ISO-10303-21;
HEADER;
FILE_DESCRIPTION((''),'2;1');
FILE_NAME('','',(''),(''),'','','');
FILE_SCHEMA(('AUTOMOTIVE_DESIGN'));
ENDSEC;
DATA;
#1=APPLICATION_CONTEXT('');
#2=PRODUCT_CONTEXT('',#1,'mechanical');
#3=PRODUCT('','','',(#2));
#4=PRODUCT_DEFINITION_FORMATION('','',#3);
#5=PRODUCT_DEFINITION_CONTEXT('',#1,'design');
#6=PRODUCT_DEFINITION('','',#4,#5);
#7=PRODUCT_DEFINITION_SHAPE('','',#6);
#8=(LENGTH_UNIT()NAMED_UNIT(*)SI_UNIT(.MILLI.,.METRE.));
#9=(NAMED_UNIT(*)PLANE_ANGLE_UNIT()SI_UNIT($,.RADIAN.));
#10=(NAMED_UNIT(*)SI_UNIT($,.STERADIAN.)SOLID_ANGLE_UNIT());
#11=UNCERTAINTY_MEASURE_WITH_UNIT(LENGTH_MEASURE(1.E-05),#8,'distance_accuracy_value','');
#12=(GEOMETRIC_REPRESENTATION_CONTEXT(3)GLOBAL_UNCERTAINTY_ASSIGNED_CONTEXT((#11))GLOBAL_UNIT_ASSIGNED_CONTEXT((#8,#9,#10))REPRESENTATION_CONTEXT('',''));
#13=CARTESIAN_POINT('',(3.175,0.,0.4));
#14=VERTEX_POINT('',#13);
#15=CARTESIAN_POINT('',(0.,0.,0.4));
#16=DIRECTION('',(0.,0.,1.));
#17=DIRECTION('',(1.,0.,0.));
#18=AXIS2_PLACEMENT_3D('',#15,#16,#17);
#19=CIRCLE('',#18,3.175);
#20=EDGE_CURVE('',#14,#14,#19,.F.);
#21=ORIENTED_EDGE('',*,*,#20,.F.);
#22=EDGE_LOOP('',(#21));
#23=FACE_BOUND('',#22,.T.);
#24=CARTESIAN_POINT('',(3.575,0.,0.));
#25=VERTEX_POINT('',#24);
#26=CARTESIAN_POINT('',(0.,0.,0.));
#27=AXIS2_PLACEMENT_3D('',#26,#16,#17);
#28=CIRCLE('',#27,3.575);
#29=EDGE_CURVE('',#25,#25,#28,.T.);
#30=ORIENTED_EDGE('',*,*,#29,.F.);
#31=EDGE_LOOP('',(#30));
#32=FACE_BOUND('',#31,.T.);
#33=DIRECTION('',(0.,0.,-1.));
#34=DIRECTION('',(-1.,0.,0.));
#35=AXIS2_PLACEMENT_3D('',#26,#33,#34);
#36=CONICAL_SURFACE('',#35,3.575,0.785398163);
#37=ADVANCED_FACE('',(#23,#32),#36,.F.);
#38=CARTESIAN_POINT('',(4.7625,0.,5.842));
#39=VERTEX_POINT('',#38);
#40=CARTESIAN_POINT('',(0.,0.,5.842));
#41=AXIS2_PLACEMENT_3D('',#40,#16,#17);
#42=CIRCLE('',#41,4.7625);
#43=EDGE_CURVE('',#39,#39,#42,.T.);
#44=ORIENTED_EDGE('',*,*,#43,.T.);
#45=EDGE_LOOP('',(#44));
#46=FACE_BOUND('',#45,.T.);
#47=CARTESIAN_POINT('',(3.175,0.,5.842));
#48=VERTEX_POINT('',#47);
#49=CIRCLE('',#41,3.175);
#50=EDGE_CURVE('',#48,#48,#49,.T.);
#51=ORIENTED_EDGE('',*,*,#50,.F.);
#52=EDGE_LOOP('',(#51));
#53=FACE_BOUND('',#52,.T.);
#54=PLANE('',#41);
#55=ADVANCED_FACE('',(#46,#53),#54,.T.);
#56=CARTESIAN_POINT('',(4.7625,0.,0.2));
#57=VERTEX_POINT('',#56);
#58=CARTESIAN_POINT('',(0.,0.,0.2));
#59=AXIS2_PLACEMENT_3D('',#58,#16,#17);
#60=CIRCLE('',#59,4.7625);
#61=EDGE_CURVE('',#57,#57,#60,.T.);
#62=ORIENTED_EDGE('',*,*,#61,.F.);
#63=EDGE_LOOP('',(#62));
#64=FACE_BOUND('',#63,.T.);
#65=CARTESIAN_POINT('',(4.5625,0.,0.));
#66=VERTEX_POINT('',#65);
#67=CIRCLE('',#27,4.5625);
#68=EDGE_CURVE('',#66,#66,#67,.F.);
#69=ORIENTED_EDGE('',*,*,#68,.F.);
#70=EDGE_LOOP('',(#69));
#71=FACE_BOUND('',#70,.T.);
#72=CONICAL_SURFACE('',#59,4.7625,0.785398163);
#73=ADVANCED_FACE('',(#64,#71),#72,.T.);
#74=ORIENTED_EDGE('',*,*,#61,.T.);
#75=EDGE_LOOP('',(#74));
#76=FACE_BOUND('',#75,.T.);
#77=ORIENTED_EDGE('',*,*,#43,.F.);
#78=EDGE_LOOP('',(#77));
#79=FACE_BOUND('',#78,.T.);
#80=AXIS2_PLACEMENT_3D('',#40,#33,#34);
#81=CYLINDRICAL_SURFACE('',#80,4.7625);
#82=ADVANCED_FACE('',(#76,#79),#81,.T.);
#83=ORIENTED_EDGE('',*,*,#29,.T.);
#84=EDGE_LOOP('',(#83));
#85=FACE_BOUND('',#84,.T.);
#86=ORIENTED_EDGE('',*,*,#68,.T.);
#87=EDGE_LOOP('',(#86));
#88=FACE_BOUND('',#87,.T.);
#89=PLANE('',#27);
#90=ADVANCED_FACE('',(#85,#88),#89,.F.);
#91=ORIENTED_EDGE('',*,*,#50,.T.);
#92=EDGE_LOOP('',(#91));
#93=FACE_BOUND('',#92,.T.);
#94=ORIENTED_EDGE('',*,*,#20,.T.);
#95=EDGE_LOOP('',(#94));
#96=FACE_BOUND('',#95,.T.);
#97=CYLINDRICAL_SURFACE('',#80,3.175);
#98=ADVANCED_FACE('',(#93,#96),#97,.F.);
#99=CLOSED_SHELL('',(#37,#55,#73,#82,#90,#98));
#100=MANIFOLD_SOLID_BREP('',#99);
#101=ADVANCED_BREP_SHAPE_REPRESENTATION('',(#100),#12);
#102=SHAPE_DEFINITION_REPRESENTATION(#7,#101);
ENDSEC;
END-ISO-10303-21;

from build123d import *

# Parameters (mm, degrees)
SKETCH1_R           = 4.7625
SKETCH1_R_2         = 3.175
BOSS_EXTRUDE1_DEPTH = 5.842
CHAMFER1_SIZE       = 0.4
CHAMFER2_SIZE       = 0.2


with BuildPart() as part:
    # Sketch1 → Boss-Extrude1 (new body)
    with BuildSketch(Plane.XY):
        Circle(SKETCH1_R)
        Circle(SKETCH1_R_2, mode=Mode.SUBTRACT)
    extrude(amount=BOSS_EXTRUDE1_DEPTH)

    # Chamfer1
    chamfer1_edges = [part.edges().sort_by_distance(p)[0] for p in [
        (-3.175, 0, 0),
    ]]
    chamfer(chamfer1_edges, length=CHAMFER1_SIZE)

    # Chamfer2
    chamfer2_edges = [part.edges().sort_by_distance(p)[0] for p in [
        (-4.7625, 0, 0),
    ]]
    chamfer(chamfer2_edges, length=CHAMFER2_SIZE)


solid = part.part
